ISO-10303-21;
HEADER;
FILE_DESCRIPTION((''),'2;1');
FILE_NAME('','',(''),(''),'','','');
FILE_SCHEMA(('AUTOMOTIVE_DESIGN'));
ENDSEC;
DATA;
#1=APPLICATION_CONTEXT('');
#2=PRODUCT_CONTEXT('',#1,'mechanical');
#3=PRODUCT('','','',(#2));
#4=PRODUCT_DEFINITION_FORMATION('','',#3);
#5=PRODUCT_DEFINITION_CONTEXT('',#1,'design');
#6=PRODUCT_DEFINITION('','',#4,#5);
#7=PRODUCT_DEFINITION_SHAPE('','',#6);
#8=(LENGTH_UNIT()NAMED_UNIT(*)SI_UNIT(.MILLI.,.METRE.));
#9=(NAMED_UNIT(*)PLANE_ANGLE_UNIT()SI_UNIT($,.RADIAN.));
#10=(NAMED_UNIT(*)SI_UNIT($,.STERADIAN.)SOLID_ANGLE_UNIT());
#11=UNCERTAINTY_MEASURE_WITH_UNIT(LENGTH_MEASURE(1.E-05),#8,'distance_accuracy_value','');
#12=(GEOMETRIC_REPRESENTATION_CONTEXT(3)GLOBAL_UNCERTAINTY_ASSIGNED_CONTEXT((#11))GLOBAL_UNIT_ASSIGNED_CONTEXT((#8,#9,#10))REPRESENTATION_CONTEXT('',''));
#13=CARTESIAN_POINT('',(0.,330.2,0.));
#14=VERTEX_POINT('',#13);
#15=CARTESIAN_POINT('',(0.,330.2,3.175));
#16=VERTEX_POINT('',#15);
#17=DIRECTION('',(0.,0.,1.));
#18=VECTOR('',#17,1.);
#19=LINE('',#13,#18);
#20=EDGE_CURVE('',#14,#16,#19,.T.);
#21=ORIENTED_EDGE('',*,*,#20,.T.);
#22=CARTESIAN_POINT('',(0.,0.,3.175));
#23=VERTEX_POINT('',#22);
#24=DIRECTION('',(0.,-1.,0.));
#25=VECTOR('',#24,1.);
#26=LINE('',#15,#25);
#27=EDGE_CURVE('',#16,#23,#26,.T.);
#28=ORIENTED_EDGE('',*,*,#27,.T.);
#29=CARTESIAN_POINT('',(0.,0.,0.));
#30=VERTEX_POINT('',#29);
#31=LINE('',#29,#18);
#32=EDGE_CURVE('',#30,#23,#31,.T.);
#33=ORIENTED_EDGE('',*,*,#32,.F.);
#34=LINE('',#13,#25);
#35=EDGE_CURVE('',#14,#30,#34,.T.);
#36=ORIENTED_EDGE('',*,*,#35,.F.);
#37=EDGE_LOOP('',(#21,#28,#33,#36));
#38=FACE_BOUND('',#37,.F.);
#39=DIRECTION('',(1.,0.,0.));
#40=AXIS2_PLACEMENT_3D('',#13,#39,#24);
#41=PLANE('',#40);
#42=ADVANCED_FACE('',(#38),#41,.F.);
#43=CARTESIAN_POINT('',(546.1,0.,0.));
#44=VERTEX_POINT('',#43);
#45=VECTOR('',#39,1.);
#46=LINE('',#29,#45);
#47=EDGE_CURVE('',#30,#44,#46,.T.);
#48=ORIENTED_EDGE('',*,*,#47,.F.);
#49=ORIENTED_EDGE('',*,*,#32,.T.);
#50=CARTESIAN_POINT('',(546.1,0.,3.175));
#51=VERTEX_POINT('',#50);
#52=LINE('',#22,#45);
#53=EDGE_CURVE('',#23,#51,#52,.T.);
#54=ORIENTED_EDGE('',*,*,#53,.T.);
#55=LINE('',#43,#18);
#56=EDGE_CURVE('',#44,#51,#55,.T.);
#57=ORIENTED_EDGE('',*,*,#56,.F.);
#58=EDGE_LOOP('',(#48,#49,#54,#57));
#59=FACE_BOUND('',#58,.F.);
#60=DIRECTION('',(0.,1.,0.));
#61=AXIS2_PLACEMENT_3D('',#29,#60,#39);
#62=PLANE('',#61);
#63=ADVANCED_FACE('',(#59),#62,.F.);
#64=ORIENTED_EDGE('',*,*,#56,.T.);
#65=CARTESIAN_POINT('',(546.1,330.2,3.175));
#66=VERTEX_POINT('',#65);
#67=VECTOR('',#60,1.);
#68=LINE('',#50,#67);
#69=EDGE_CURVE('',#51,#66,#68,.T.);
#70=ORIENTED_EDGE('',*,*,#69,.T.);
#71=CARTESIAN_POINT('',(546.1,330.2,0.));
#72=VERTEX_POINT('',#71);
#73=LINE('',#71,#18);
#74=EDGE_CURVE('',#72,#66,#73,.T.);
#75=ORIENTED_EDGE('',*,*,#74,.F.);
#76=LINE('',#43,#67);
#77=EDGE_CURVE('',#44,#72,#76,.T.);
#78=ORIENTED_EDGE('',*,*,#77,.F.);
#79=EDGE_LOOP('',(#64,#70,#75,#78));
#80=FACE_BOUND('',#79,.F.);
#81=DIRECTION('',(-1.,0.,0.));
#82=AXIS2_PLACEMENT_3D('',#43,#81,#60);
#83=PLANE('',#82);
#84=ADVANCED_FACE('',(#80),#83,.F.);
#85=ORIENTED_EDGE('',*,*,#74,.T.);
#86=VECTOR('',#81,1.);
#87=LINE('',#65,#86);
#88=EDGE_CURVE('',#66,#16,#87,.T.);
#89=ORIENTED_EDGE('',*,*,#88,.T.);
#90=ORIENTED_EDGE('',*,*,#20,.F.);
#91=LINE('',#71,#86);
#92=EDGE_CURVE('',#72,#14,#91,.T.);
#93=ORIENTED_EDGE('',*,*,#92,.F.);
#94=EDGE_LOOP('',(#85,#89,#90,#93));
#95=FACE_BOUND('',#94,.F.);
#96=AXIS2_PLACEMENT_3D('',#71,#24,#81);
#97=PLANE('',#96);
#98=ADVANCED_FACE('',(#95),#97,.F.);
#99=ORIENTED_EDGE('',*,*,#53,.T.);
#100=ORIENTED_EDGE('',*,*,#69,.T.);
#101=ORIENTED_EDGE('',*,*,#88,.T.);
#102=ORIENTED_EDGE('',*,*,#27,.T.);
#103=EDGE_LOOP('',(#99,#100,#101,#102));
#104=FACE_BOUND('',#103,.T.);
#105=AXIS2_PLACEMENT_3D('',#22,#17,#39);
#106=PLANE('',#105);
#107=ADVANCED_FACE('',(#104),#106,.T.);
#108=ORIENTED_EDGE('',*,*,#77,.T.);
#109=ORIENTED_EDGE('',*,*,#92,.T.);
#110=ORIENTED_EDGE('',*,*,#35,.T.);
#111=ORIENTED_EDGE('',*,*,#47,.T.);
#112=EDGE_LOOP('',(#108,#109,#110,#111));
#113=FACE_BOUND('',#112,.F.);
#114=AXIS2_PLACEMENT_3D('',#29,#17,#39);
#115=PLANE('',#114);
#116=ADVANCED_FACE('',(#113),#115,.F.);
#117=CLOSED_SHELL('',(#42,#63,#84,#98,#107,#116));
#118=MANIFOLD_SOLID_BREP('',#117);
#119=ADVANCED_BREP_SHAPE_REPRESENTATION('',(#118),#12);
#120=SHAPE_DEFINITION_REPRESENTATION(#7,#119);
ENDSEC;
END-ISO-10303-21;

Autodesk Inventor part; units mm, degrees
ref_plane "YZ Plane" through (0, 0, 0) normal (1, 0, 0) x (0, 1, 0)
ref_plane "XZ Plane" through (0, 0, 0) normal (0, 1, 0) x (-1, 0, 0)
ref_plane "XY Plane" through (0, 0, 0) normal (0, 0, 1) x (1, 0, 0)
sketch "Sketch1" plane through (0, 0, 0) normal (0, 0, 1) x (1, 0, 0)
  line L0 (0, 0) -> (546.1, 0)
  line L1 (546.1, 0) -> (546.1, 330.2)
  line L2 (546.1, 330.2) -> (0, 330.2)
  line L3 (0, 330.2) -> (0, 0)
  dimension "d0" = 546.1
  dimension "d1" = 330.2
extrude "Extrusion1" add sketch "Sketch1" along normal blind 3.175
properties part number "Pneumatic Board" material "Glass"
